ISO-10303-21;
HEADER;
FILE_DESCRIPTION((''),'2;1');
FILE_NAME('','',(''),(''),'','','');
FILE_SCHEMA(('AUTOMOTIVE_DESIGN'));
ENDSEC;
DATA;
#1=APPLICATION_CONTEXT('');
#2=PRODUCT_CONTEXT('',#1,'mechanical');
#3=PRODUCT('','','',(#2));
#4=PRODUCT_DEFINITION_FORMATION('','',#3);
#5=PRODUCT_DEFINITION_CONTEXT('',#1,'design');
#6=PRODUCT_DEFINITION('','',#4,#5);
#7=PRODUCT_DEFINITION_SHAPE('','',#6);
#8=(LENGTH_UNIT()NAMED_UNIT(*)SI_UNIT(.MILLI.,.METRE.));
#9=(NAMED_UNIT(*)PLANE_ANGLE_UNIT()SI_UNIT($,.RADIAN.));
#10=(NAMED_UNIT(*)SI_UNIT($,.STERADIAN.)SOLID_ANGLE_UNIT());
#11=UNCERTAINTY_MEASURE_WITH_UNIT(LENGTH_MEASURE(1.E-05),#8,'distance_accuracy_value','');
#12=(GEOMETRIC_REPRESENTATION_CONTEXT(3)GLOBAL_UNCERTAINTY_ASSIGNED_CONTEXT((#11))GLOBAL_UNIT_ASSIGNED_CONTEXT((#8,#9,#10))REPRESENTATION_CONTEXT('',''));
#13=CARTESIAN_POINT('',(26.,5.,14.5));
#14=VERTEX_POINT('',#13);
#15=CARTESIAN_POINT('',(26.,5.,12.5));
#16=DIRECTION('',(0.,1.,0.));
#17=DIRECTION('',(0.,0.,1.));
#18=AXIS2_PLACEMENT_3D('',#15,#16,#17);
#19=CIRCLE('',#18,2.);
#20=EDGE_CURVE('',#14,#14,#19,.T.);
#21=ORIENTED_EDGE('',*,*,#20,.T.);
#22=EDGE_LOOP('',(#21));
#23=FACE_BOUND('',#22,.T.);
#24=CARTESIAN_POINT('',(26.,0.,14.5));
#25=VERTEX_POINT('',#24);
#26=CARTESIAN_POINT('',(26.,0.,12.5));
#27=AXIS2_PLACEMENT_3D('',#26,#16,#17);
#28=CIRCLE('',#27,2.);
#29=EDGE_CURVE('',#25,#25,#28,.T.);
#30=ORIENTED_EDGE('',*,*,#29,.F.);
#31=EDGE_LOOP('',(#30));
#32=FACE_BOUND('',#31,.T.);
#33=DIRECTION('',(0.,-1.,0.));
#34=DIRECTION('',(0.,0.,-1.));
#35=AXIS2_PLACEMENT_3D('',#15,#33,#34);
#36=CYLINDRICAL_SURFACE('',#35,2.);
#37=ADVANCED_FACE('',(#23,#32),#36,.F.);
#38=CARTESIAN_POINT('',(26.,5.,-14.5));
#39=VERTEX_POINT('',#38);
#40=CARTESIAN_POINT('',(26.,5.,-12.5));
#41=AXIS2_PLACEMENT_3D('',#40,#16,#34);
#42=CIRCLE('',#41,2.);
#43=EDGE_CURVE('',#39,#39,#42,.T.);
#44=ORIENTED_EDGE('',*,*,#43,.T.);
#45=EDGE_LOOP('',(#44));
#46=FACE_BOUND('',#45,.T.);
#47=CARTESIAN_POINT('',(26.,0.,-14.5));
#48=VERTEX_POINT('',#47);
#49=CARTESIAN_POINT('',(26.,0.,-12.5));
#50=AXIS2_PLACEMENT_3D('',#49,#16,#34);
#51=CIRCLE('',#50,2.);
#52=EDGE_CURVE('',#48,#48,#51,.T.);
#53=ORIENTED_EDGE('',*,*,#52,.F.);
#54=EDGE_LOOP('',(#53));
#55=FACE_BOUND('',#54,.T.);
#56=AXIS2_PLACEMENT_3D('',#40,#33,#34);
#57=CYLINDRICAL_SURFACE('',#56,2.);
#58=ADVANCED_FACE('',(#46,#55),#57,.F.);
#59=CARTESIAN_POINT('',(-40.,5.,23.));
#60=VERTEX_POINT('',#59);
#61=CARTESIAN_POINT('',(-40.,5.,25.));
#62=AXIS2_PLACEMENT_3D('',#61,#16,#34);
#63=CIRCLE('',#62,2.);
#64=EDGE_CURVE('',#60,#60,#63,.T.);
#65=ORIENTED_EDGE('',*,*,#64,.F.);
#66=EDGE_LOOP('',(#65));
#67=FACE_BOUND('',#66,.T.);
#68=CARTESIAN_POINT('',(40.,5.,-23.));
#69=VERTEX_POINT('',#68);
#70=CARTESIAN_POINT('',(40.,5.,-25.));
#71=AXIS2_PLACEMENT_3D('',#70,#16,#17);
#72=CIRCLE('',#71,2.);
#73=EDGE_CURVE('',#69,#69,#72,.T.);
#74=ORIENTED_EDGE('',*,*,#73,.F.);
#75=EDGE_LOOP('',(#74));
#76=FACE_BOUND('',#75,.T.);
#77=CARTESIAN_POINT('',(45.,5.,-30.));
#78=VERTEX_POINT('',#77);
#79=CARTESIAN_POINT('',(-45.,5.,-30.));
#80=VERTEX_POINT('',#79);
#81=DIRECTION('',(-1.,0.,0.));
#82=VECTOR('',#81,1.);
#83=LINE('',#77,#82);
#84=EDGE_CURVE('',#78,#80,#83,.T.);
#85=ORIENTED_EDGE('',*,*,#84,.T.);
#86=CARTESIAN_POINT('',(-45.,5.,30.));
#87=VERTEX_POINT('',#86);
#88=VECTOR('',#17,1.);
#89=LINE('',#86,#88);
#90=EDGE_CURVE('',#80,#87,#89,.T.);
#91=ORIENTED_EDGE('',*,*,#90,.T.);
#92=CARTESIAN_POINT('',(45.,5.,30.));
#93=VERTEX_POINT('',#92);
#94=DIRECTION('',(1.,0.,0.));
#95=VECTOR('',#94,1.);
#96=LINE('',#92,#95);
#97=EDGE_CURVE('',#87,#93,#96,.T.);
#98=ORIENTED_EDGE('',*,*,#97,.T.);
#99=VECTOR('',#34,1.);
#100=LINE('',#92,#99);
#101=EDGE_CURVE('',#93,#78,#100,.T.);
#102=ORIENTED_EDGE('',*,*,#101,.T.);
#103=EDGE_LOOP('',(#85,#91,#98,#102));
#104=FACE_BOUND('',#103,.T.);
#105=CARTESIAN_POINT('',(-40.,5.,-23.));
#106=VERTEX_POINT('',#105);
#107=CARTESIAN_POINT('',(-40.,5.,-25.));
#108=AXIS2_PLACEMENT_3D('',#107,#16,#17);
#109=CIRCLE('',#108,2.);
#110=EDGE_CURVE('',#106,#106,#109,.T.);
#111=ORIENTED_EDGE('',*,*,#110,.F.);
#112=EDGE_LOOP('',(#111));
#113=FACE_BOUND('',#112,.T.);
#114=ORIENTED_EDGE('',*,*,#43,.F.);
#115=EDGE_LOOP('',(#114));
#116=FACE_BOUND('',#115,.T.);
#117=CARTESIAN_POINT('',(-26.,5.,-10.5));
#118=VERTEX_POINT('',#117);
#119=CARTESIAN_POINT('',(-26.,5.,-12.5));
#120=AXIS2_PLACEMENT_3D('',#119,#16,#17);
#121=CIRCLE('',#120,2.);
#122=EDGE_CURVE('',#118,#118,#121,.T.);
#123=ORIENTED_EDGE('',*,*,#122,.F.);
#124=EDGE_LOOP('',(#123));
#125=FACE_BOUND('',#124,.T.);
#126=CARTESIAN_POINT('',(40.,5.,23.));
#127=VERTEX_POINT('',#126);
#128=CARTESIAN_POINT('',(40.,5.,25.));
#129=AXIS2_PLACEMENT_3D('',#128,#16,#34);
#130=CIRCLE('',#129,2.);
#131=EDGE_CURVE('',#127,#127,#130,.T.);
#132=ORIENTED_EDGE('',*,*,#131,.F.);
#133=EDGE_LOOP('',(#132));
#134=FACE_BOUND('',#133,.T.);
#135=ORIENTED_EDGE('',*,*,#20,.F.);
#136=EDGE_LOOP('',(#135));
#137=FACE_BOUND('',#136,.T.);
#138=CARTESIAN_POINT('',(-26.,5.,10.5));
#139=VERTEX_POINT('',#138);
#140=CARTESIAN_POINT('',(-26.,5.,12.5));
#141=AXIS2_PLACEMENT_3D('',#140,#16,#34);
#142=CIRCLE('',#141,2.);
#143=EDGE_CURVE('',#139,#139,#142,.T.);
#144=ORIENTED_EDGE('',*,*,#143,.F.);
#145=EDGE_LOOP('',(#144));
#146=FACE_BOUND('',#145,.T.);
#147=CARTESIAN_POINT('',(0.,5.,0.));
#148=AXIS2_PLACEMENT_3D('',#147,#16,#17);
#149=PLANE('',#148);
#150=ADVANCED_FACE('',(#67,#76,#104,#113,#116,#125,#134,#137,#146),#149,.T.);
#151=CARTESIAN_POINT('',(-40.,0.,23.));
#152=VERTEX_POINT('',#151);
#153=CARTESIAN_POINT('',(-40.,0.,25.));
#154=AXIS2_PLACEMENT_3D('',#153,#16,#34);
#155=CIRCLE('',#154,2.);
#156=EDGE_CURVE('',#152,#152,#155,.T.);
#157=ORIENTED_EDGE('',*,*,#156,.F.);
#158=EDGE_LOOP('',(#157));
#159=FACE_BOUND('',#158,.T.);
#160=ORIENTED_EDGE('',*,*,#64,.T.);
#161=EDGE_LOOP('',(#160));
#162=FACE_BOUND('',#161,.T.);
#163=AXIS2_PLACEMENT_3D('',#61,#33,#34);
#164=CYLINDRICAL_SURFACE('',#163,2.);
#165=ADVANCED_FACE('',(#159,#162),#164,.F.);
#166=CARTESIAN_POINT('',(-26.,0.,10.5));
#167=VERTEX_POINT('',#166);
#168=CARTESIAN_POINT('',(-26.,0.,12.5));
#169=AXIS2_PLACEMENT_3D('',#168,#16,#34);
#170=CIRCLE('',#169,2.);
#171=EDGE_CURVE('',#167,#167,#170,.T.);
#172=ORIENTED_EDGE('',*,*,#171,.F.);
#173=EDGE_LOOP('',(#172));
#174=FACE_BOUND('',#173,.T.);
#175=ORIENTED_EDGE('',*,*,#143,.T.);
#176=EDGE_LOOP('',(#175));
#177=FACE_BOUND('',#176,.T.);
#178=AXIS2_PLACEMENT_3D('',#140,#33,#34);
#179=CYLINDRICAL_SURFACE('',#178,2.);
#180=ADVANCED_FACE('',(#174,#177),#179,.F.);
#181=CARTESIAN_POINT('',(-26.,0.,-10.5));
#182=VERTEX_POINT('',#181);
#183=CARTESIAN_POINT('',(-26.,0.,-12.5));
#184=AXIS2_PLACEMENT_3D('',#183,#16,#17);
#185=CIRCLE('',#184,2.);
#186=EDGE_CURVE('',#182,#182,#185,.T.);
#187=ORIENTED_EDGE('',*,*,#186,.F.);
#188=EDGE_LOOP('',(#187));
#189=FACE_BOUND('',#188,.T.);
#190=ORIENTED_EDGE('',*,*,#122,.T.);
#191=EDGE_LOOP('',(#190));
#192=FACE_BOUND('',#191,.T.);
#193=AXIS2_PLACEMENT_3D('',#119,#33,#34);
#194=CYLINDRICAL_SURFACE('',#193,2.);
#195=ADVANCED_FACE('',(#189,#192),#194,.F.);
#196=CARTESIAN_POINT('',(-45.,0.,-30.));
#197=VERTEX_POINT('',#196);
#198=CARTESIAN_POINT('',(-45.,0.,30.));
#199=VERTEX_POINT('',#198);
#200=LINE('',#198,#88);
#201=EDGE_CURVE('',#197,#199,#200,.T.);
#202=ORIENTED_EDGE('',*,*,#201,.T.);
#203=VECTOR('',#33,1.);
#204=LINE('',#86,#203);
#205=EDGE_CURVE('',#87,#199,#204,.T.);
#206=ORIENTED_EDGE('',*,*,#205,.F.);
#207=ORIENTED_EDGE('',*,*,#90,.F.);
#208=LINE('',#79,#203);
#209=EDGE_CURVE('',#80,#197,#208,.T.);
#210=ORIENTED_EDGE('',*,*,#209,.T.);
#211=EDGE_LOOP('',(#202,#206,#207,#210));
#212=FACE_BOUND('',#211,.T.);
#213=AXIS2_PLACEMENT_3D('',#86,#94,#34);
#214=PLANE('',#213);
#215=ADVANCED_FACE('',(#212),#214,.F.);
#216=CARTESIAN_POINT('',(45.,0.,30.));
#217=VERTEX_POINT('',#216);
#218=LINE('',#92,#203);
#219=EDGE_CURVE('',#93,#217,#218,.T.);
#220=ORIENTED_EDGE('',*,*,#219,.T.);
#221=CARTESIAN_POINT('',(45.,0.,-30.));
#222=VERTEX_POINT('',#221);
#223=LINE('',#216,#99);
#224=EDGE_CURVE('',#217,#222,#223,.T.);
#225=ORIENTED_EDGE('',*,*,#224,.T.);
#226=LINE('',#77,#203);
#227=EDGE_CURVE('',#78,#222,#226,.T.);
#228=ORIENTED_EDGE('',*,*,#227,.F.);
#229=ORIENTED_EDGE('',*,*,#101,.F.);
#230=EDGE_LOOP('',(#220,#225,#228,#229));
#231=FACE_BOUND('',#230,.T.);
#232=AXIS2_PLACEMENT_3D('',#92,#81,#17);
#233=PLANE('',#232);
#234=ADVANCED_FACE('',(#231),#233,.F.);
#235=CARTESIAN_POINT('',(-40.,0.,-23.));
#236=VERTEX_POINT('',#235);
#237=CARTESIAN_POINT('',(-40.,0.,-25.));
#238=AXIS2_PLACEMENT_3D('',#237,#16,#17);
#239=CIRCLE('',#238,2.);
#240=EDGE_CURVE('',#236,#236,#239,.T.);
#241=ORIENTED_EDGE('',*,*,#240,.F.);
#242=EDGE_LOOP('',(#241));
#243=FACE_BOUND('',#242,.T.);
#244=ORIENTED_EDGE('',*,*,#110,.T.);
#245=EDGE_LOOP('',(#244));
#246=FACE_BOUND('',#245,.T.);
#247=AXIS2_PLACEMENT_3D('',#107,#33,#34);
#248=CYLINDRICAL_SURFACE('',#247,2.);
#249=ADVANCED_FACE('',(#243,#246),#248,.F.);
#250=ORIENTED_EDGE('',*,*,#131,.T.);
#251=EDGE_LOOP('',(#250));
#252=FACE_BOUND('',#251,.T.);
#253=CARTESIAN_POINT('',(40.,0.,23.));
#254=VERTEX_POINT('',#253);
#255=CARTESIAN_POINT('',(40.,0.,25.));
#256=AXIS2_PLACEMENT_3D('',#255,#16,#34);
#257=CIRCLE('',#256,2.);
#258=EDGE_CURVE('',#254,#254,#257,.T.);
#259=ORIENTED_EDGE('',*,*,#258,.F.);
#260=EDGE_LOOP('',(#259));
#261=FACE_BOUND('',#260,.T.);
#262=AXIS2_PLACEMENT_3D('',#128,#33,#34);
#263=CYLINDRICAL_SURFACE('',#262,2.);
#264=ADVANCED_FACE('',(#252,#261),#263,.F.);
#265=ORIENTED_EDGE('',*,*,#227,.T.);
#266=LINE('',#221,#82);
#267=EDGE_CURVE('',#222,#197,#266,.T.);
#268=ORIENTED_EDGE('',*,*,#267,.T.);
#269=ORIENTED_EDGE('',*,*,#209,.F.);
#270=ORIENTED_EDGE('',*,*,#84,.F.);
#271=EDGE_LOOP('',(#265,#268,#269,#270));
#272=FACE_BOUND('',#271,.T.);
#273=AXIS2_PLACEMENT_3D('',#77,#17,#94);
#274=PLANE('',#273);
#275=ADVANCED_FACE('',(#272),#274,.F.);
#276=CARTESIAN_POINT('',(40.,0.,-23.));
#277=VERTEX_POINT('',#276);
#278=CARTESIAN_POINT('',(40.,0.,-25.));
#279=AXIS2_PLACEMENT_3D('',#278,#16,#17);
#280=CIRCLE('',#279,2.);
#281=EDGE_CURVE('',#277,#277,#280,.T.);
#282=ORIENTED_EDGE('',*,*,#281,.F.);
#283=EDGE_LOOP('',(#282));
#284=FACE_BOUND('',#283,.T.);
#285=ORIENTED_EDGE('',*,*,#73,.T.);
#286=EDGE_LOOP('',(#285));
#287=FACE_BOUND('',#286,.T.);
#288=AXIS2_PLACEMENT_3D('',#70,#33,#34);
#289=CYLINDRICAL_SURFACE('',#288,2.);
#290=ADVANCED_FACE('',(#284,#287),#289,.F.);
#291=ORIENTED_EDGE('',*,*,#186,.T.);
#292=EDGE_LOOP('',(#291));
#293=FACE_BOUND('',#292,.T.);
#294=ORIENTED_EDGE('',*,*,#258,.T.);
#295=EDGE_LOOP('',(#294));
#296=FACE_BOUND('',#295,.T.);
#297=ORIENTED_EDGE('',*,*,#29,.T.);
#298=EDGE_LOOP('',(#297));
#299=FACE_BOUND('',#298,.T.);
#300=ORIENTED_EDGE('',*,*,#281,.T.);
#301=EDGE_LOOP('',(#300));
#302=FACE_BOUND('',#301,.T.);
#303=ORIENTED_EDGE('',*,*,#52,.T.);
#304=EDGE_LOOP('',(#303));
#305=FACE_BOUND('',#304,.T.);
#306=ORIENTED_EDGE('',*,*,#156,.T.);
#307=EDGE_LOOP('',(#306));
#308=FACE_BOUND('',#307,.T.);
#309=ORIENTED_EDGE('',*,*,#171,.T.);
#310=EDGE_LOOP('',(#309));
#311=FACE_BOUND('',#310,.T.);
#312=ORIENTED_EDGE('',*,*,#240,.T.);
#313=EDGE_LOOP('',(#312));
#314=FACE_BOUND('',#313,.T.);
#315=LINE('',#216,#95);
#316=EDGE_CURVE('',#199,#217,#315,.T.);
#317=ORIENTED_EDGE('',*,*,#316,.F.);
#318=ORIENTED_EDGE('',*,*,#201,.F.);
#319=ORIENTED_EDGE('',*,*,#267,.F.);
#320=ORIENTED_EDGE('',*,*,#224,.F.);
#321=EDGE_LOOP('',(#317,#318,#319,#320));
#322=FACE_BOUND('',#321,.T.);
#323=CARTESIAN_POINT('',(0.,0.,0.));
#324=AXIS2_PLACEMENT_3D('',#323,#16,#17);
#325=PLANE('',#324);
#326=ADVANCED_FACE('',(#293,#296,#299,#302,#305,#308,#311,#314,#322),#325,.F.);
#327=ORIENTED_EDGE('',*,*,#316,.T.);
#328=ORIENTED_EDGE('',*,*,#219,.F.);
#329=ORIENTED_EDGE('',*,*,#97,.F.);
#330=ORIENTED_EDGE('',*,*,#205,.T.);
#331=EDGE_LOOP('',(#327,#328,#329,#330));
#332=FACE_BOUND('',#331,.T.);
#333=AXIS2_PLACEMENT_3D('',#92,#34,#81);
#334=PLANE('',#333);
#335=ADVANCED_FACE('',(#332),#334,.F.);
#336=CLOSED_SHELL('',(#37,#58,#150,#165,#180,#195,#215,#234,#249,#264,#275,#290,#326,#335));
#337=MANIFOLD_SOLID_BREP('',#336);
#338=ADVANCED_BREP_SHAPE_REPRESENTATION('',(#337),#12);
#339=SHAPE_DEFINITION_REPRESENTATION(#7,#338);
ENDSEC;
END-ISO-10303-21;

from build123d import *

# Parameters (mm, degrees)
SKETCH_1_W      = 90
SKETCH_1_H      = 60
SKETCH_1_R      = 2
EXTRUDE_1_DEPTH = 5


with BuildPart() as part:
    # 草图1 → 凸台-拉伸1 (new body)
    with BuildSketch(Plane(origin=(0, 0, 0), x_dir=(1, 0, 0), z_dir=(0, 1, 0))):
        Rectangle(SKETCH_1_W, SKETCH_1_H)
        with Locations(Location((-40, 25, 0), (0, 0, 270))):
            Circle(SKETCH_1_R, mode=Mode.SUBTRACT)
        with Locations(Location((40, 25, 0), (0, 0, 270))):
            Circle(SKETCH_1_R, mode=Mode.SUBTRACT)
        with Locations(Location((40, -25, 0), (0, 0, 90))):
            Circle(SKETCH_1_R, mode=Mode.SUBTRACT)
        with Locations(Location((-40, -25, 0), (0, 0, 90))):
            Circle(SKETCH_1_R, mode=Mode.SUBTRACT)
        with Locations(Location((-26, 12.5, 0), (0, 0, 270))):
            Circle(SKETCH_1_R, mode=Mode.SUBTRACT)
        with Locations(Location((26, 12.5, 0), (0, 0, 90))):
            Circle(SKETCH_1_R, mode=Mode.SUBTRACT)
        with Locations(Location((26, -12.5, 0), (0, 0, 270))):
            Circle(SKETCH_1_R, mode=Mode.SUBTRACT)
        with Locations(Location((-26, -12.5, 0), (0, 0, 90))):
            Circle(SKETCH_1_R, mode=Mode.SUBTRACT)
    extrude(amount=EXTRUDE_1_DEPTH)


solid = part.part
